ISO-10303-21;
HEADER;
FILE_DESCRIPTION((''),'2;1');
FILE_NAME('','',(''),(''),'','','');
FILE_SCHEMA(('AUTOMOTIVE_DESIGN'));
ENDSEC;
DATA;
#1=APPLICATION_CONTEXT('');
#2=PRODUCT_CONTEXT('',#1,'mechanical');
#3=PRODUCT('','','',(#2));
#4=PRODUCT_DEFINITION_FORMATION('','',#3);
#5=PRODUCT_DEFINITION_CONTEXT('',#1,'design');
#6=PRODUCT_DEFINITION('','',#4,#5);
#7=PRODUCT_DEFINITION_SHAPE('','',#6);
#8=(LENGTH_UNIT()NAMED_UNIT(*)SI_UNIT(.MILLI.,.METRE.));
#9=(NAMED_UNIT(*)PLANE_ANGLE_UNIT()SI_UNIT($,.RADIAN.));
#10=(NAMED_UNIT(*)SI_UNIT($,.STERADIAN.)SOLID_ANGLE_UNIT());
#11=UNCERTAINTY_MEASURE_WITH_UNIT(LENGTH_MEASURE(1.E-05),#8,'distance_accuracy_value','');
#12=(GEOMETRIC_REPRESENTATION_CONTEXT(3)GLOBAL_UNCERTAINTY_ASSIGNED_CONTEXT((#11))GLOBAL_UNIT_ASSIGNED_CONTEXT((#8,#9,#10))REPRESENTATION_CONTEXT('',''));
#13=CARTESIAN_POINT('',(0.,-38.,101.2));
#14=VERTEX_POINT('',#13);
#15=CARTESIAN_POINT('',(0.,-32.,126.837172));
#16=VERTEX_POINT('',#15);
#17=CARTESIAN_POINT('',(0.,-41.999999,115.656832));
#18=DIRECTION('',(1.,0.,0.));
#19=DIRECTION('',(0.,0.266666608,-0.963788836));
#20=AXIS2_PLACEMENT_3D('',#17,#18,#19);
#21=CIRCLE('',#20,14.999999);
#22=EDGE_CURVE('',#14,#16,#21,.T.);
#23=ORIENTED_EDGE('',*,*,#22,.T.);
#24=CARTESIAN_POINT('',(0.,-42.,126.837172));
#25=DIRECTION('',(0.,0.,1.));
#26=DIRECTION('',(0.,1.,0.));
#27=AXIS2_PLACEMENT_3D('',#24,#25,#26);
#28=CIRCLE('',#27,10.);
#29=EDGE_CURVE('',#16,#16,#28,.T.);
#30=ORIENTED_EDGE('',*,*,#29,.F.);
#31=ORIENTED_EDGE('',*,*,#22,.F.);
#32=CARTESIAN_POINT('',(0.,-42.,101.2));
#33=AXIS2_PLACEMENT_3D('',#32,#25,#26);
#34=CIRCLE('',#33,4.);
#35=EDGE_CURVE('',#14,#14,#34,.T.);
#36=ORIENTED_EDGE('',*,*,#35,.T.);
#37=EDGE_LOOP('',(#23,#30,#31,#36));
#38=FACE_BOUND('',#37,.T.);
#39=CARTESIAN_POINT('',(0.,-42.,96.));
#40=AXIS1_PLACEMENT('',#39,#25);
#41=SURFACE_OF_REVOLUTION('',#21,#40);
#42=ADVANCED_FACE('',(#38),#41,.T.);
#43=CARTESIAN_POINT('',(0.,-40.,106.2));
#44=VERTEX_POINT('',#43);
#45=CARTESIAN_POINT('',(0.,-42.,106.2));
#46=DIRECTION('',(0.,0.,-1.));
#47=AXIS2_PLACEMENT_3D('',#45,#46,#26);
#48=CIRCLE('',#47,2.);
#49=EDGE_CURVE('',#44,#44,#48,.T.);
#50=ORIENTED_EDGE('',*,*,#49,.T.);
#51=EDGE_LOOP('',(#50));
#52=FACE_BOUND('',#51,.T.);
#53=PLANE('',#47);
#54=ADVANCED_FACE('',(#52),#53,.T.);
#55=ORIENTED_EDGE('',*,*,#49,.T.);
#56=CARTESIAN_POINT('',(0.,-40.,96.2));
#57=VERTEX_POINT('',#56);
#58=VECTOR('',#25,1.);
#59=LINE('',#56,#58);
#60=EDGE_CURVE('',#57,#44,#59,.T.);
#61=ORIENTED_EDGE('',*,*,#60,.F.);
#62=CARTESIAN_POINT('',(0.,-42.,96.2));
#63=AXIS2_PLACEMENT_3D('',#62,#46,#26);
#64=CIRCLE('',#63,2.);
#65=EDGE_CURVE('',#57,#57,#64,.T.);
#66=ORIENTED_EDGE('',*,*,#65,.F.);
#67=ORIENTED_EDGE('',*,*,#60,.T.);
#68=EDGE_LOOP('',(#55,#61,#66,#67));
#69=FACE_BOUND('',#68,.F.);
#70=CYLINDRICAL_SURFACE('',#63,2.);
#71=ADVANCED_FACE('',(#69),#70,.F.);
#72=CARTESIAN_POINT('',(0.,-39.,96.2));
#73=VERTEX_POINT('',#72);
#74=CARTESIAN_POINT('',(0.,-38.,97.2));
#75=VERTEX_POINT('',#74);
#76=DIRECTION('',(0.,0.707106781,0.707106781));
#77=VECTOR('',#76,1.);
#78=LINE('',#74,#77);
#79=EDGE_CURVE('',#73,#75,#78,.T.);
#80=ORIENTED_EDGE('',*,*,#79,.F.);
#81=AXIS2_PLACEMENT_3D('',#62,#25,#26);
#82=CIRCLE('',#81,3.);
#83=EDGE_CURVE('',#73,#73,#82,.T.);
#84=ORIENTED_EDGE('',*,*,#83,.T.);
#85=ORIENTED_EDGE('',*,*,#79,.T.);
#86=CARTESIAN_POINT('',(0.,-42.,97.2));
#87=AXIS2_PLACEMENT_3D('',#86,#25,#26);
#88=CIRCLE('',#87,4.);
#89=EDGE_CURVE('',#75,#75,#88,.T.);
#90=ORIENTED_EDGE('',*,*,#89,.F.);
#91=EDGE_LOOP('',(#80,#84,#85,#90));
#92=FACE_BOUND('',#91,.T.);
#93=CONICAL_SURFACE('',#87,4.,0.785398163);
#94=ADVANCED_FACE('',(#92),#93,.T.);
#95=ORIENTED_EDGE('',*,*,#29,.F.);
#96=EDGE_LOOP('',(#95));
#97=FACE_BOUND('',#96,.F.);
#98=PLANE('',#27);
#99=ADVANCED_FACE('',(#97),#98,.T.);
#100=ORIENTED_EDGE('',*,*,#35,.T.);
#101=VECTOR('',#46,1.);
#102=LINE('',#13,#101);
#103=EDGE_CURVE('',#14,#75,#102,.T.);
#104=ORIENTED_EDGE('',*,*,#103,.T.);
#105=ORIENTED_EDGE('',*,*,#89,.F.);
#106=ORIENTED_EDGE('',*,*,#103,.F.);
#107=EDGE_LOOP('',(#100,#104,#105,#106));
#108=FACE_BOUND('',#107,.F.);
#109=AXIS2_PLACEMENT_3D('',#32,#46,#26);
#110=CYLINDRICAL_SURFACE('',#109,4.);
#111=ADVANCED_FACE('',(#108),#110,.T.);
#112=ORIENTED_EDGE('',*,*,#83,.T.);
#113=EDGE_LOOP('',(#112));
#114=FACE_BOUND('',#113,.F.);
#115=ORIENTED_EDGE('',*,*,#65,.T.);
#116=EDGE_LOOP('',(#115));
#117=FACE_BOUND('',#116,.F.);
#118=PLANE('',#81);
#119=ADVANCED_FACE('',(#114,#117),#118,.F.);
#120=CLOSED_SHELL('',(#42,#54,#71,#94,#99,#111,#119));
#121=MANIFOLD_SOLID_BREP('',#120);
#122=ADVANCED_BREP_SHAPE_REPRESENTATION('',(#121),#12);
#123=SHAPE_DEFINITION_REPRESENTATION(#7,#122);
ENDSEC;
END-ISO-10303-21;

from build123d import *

# Parameters (mm, degrees)
CHAMFER_SIZE    = 1
SKETCH010_R     = 2
POCKET001_DEPTH = 10


with BuildPart() as part:
    # Sketch009 → Revolution001 (revolve)
    with BuildSketch(Plane(origin=(0, -42, 96), x_dir=(0, 1, 0), z_dir=(1, 0, 0))):
        with BuildLine():
            ThreePointArc((4, 5.2), (14.605347, 16.238667), (10, 30.837172))
            Line((0, 30.837172), (10, 30.837172))
            Line((0, 0.2), (0, 30.837172))
            Line((4, 0.2), (0, 0.2))
            Line((4, 5.2), (4, 0.2))
        make_face()
    revolve(axis=Axis((0, -42, 96), (0, 0, 1)))

    # Chamfer
    chamfer_edges = [part.edges().sort_by_distance(p)[0] for p in [
        (0, -46, 96.2),
    ]]
    chamfer(chamfer_edges, length=CHAMFER_SIZE)

    # Sketch010 → Pocket001 (cut)
    with BuildSketch(Plane(origin=(0, -42, 96.2), x_dir=(0, 1, 0), z_dir=(0, 0, -1))):
        Circle(SKETCH010_R)
    extrude(amount=-POCKET001_DEPTH, mode=Mode.SUBTRACT)


solid = part.part
